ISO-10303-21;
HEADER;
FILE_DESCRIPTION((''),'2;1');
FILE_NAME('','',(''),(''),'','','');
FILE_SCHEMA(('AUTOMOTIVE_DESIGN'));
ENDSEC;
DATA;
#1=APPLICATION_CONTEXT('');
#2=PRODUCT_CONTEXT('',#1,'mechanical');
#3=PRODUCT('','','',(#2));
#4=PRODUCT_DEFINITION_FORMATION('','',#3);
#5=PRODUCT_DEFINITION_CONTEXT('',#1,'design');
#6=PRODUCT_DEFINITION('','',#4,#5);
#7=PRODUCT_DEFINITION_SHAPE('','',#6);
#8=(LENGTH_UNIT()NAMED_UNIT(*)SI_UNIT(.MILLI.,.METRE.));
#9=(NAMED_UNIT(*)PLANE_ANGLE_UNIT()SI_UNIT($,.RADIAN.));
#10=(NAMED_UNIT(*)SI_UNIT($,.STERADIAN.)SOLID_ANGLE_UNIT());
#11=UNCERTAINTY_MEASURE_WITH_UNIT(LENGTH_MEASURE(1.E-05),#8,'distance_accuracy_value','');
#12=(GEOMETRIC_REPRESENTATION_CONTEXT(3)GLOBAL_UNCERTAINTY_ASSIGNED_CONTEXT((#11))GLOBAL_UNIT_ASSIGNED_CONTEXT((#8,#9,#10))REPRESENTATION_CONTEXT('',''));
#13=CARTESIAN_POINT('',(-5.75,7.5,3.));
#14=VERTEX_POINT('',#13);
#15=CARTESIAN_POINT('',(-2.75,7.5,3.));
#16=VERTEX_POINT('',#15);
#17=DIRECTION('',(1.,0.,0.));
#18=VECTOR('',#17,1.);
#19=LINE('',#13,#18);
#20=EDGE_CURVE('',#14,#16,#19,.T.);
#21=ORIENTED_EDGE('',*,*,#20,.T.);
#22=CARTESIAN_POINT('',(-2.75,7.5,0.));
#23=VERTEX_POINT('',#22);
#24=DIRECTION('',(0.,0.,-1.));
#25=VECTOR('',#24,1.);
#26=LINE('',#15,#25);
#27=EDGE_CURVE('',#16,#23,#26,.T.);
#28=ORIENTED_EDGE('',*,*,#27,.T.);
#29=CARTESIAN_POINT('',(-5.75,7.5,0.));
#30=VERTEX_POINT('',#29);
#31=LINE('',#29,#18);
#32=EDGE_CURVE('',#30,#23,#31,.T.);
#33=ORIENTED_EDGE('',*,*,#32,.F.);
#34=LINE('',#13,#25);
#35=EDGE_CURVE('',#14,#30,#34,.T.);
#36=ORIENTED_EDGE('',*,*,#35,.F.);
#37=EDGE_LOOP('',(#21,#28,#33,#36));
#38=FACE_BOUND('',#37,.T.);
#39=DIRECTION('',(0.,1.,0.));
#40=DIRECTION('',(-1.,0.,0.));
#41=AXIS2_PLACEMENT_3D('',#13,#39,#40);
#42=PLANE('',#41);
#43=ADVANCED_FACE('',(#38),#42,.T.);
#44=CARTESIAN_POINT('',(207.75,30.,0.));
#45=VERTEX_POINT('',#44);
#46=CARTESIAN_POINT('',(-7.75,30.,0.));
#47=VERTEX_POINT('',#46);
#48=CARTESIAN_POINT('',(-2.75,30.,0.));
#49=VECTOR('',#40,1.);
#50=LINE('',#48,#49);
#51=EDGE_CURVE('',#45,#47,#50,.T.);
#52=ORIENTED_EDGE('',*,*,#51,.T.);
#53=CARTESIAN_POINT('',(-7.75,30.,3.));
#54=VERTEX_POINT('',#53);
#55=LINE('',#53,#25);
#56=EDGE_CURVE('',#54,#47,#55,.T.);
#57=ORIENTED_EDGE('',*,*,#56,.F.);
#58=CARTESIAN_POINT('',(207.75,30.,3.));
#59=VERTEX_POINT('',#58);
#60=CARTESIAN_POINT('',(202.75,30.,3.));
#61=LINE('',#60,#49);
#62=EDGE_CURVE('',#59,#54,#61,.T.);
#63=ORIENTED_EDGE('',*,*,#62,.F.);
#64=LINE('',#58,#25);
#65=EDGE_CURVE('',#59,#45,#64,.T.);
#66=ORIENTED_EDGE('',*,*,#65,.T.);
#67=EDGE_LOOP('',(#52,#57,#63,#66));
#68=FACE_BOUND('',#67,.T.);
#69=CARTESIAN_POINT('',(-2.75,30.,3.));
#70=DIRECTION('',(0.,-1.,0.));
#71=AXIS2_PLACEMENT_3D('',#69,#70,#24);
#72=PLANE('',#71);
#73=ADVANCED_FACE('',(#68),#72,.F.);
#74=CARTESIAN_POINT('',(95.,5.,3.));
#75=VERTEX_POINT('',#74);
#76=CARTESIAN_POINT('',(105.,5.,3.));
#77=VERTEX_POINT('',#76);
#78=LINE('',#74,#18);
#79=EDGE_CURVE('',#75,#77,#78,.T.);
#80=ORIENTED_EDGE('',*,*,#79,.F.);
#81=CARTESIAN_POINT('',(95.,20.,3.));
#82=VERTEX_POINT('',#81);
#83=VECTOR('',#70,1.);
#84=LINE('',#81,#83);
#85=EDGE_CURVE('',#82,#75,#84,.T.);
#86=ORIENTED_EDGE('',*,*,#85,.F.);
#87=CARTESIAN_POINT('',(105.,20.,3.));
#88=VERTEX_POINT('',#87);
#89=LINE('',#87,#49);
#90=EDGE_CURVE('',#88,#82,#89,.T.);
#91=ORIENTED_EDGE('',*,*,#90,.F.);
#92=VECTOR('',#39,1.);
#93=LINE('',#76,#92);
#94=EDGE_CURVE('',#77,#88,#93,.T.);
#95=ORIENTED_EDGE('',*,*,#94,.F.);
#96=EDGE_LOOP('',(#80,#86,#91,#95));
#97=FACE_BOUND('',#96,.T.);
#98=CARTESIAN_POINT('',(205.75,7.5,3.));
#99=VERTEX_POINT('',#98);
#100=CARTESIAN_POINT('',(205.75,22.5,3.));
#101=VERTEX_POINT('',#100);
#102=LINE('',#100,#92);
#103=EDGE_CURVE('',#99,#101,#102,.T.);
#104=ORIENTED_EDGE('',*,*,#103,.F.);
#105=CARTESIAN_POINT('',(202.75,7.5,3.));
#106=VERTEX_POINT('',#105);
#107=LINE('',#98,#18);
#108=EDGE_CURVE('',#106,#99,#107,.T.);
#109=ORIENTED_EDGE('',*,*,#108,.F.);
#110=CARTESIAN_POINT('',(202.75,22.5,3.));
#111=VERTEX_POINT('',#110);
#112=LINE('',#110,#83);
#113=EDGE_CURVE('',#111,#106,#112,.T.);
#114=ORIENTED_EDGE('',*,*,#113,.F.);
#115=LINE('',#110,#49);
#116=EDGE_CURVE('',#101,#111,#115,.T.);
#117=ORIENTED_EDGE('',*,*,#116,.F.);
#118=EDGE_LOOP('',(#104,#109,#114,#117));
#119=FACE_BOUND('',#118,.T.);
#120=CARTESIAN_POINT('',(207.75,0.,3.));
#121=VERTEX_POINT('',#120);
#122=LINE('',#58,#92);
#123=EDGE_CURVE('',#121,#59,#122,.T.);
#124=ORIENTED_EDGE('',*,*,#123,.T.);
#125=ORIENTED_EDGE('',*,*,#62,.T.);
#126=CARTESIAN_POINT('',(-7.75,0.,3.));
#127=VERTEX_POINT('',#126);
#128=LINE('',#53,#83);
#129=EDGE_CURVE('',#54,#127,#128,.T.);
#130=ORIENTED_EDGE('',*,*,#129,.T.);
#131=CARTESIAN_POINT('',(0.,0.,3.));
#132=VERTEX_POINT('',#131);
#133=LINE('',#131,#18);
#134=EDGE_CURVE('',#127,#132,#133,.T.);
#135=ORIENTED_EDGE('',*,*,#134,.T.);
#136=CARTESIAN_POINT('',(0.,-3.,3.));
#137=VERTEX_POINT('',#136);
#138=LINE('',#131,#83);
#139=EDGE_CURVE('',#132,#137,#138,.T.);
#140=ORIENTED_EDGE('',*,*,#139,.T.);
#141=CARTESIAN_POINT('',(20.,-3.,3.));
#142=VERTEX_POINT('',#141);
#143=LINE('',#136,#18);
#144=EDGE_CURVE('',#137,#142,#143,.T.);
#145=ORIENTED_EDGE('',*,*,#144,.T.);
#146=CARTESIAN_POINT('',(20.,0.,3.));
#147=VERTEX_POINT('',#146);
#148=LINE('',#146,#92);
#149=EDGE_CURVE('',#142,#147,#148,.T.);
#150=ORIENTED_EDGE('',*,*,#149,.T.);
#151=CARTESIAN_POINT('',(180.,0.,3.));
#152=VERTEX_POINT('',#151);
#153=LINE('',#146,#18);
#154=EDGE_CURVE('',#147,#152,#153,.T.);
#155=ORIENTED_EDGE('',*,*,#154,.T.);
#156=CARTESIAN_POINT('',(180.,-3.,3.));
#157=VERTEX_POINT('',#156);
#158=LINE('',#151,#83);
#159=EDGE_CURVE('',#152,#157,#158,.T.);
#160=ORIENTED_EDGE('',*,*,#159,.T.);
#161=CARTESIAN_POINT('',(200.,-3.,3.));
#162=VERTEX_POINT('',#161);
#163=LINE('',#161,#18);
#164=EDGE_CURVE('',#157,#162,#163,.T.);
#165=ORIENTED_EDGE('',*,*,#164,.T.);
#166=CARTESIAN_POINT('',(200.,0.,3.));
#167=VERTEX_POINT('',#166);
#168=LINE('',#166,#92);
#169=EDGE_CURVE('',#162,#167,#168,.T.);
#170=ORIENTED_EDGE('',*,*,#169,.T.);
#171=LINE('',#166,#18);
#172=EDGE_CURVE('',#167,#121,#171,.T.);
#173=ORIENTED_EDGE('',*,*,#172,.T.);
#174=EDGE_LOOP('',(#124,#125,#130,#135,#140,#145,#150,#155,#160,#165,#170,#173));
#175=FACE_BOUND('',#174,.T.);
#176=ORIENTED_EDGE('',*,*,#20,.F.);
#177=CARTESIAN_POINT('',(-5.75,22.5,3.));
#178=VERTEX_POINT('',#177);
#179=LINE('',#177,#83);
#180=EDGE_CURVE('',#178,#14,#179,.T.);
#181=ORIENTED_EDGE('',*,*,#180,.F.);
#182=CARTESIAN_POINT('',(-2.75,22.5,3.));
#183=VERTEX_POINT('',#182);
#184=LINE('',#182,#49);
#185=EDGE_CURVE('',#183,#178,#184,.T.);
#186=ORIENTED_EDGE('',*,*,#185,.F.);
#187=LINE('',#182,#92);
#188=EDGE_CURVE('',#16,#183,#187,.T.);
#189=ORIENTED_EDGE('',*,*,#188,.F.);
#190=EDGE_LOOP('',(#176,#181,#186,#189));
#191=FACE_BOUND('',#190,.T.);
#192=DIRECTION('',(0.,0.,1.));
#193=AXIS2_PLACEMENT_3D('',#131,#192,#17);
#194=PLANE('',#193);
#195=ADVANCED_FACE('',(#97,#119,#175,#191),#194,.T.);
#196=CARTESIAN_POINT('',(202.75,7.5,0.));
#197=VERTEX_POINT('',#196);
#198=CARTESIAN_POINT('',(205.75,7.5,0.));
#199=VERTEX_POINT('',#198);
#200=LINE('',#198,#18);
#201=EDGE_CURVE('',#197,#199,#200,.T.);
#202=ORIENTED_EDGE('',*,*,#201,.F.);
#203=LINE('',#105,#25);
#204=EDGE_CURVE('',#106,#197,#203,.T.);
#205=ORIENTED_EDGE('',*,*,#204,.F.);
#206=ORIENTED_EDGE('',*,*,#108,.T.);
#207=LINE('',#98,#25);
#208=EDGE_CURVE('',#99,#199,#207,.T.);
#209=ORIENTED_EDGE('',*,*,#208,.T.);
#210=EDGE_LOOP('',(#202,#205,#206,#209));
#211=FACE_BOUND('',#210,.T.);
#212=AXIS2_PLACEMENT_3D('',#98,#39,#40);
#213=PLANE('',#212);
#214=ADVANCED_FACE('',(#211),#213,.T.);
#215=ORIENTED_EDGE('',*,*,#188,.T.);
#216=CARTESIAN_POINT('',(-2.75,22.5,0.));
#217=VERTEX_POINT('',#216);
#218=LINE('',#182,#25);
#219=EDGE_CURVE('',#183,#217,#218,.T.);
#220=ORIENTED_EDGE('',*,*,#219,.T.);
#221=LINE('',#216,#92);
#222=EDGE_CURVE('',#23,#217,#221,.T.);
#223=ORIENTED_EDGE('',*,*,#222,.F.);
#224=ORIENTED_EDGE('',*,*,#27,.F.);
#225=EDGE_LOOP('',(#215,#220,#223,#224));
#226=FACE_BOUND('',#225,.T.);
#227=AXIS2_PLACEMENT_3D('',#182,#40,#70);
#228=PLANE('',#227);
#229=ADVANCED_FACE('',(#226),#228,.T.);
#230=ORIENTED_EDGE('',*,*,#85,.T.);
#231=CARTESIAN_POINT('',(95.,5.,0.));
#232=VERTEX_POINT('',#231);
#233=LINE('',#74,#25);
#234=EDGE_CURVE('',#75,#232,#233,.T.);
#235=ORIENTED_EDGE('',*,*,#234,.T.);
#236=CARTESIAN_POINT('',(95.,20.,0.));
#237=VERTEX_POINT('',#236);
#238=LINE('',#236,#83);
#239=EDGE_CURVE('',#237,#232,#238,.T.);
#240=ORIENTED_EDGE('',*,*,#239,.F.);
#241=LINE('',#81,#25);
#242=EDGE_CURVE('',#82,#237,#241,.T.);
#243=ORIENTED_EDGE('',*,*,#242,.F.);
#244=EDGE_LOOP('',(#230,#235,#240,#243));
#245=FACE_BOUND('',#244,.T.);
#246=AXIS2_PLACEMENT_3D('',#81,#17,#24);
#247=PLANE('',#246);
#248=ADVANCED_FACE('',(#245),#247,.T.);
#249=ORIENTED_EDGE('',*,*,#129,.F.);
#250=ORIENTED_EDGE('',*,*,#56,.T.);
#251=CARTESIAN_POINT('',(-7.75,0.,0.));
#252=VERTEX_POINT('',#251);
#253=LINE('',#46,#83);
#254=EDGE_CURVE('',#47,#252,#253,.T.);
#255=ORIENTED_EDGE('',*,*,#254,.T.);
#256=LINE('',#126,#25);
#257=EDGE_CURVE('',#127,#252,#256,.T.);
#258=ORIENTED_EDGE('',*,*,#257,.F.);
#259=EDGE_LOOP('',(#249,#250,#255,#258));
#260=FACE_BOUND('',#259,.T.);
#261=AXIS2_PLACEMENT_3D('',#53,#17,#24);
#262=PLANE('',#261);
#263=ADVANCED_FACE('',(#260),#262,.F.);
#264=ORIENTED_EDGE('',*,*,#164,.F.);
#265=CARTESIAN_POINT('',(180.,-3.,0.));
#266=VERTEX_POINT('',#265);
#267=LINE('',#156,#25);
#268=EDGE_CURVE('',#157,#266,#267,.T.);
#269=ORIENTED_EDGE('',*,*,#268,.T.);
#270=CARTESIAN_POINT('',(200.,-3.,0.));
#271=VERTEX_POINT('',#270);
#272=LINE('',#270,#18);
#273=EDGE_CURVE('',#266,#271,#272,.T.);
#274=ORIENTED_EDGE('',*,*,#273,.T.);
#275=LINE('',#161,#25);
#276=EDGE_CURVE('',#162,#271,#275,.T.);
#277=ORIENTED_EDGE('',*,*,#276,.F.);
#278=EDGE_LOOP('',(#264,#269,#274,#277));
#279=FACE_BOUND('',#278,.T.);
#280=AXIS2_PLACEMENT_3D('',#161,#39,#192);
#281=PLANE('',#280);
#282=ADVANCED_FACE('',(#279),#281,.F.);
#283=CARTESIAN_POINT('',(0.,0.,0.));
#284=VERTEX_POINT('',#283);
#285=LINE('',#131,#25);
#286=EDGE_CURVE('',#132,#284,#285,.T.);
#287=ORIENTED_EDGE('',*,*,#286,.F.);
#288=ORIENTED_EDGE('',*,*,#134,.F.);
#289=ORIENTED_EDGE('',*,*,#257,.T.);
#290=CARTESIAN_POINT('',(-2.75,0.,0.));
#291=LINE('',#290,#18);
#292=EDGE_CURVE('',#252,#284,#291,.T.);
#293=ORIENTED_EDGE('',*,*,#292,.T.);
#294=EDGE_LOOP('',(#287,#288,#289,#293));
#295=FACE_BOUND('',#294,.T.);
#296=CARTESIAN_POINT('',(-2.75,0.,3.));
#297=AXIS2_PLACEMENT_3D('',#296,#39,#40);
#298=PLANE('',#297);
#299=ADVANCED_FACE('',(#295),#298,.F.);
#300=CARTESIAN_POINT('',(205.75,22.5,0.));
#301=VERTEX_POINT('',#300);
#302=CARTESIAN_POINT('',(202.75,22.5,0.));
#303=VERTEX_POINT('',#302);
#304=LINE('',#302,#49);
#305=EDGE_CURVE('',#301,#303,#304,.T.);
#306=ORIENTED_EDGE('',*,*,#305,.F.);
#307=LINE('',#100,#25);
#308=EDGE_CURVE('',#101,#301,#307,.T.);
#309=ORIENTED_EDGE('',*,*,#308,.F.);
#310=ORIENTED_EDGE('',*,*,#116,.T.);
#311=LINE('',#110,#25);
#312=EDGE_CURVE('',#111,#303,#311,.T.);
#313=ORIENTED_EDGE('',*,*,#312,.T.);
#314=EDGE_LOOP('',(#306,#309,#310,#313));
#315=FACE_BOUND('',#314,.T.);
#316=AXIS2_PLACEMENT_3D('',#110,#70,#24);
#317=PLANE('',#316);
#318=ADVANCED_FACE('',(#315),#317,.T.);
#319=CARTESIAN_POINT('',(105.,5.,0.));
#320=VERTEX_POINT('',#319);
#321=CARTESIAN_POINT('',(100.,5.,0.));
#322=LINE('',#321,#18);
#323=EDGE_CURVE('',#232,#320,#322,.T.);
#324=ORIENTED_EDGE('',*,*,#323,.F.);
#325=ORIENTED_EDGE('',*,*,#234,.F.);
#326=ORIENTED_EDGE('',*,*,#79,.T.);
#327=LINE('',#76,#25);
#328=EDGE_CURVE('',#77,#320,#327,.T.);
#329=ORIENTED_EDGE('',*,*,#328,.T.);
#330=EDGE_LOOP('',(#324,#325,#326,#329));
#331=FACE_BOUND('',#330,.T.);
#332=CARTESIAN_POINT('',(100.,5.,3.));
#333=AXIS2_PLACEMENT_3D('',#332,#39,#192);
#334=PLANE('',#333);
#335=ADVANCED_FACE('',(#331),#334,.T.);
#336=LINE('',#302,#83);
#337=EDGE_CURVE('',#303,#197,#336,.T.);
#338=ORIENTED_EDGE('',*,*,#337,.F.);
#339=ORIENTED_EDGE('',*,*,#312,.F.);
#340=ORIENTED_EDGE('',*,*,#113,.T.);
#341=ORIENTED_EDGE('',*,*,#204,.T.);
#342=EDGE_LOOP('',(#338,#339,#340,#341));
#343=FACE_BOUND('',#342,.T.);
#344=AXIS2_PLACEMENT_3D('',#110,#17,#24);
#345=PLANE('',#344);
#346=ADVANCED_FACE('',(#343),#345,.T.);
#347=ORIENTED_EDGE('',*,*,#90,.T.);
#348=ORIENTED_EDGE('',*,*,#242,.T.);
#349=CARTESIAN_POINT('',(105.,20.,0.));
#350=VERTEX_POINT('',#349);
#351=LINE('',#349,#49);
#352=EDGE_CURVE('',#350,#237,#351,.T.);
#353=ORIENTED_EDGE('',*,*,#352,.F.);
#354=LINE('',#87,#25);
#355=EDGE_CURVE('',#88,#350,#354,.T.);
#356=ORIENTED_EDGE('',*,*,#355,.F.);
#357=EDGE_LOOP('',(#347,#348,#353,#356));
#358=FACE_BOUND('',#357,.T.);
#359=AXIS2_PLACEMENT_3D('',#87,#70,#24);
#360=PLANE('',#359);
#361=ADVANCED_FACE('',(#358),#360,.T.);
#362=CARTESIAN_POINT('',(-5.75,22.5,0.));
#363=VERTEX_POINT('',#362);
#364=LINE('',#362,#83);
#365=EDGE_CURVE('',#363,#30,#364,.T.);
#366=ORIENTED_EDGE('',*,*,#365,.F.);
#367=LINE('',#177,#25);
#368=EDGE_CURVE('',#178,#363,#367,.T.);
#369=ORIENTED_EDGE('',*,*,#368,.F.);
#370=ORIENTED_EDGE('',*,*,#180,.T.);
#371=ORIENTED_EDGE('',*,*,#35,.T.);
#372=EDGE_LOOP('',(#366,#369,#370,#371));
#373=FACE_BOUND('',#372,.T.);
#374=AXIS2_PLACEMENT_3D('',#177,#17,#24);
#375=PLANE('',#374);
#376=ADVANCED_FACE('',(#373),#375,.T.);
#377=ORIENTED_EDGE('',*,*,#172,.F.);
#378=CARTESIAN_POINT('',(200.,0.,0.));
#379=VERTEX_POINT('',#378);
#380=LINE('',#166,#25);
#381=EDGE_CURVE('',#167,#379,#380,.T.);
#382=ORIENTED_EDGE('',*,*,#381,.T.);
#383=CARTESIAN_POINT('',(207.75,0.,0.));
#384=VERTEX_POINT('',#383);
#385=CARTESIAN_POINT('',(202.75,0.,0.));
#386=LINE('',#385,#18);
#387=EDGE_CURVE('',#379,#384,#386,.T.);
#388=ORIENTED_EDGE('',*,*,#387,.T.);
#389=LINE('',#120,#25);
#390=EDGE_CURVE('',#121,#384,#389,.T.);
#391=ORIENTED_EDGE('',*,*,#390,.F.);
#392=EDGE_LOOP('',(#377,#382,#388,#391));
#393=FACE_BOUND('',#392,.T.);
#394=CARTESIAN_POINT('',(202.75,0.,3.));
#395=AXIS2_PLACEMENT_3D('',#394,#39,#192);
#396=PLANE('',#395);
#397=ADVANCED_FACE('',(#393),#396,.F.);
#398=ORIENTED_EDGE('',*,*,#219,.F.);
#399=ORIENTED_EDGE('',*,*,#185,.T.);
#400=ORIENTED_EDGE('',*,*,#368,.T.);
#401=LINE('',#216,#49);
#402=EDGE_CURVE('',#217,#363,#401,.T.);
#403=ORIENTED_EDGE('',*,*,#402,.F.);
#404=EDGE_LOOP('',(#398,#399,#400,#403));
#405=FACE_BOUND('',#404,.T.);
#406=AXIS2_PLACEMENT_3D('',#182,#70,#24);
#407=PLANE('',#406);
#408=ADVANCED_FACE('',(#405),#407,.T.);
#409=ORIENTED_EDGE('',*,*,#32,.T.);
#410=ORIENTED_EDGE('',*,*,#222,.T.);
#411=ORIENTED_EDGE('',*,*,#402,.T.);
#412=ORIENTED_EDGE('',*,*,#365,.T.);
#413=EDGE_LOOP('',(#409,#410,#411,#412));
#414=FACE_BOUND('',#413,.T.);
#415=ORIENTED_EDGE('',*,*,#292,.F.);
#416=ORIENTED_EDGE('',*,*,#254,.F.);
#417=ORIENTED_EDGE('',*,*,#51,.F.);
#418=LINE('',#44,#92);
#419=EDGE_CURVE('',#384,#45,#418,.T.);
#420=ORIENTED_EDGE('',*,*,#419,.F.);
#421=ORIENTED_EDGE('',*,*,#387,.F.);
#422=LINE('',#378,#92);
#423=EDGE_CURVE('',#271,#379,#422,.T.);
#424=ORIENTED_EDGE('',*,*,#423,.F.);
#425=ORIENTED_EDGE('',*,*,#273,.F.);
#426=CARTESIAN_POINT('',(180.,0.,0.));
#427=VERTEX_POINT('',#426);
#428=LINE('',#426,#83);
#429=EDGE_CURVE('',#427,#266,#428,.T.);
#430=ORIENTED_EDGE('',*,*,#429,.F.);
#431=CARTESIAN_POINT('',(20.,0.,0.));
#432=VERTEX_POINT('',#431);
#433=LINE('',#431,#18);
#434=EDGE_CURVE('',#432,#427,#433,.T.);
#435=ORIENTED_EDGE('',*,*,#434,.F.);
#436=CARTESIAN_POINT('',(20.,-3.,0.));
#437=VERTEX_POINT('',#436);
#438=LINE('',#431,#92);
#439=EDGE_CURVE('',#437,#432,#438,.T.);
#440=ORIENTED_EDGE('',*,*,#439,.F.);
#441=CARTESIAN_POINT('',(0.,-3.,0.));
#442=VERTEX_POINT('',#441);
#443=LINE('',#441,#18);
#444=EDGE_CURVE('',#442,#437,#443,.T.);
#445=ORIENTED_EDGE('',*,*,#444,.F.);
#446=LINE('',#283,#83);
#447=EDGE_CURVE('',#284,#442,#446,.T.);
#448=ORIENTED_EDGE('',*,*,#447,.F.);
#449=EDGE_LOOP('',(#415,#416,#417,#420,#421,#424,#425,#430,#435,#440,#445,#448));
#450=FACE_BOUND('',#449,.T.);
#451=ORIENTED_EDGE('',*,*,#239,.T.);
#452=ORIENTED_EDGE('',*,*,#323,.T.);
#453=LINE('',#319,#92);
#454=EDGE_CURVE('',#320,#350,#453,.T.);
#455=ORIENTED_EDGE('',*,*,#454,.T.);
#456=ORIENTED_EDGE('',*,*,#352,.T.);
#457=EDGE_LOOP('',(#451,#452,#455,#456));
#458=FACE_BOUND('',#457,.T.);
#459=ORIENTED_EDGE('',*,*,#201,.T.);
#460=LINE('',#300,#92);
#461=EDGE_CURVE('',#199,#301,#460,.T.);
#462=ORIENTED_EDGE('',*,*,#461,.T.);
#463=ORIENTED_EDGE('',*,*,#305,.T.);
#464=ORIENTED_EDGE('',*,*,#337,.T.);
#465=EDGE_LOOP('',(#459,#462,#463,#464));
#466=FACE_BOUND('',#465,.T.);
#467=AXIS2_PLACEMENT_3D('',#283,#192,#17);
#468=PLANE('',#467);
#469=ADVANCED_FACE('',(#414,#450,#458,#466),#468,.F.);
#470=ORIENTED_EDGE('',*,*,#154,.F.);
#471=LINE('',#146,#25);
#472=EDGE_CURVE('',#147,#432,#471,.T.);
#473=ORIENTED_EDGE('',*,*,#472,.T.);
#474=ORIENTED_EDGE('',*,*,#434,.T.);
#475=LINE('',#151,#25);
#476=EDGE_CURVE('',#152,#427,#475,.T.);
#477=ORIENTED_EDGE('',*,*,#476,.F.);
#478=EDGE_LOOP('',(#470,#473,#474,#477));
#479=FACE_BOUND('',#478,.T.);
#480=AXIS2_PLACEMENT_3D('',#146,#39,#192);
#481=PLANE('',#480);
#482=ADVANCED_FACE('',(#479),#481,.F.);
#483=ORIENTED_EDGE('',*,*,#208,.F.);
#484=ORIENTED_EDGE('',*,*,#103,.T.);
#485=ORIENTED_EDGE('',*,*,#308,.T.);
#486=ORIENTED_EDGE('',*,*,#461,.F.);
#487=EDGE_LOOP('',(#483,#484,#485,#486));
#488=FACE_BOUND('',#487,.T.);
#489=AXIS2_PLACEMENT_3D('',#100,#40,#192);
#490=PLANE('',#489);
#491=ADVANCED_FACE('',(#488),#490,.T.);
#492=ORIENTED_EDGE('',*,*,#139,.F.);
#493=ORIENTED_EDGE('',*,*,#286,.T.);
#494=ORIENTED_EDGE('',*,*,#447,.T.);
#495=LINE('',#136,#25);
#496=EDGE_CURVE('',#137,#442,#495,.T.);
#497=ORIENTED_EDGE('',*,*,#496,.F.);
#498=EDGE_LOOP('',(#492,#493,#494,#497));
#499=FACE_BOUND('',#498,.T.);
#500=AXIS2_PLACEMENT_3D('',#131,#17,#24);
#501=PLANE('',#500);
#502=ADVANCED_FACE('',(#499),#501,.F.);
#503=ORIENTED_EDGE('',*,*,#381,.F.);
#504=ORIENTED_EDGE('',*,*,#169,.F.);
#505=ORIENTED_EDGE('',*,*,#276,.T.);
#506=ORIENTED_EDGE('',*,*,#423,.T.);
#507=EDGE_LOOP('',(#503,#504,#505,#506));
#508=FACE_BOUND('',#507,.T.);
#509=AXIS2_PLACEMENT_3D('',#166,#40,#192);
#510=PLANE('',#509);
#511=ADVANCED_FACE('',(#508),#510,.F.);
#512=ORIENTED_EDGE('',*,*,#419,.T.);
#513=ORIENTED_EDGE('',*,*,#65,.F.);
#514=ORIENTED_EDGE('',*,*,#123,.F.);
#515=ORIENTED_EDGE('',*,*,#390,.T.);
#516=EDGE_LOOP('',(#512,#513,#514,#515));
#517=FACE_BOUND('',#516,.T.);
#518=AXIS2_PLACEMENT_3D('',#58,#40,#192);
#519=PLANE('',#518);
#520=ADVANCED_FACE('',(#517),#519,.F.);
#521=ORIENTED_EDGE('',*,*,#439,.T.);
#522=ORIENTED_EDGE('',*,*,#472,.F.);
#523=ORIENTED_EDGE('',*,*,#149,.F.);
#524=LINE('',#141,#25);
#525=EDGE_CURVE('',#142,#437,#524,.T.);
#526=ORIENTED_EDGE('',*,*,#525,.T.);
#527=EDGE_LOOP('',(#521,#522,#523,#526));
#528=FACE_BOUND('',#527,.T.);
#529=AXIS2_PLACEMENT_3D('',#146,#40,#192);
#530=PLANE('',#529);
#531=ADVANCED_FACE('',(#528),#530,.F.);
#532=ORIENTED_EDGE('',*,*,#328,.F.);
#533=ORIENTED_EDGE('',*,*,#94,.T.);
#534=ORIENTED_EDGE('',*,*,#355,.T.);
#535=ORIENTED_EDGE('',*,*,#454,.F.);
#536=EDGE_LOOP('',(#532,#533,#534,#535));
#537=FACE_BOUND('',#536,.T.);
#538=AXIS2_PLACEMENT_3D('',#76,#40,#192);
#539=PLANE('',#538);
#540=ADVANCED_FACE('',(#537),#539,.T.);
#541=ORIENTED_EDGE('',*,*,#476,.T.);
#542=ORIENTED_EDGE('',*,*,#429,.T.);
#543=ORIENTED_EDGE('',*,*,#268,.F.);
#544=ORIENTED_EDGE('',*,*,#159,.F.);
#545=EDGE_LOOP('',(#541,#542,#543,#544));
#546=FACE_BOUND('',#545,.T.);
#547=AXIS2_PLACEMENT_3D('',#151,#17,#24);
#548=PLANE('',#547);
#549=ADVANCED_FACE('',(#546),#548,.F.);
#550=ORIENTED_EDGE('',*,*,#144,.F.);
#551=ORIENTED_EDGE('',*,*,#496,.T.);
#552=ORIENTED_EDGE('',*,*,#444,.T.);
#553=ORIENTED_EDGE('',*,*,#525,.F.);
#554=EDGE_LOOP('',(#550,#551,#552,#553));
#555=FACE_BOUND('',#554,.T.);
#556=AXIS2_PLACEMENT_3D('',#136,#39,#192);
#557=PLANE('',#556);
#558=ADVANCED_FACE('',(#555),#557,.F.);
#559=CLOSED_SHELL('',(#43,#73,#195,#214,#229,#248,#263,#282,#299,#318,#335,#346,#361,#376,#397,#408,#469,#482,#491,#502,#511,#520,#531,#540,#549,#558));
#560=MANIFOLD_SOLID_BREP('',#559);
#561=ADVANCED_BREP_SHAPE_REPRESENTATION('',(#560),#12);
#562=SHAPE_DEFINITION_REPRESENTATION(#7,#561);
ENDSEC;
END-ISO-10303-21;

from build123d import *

# Parameters (mm, degrees)
SKETCH_1_W      = 3
SKETCH_1_H      = 15
EXTRUDE_1_DEPTH = 3


with BuildPart() as part:
    # 草图1 → 凸台-拉伸1 (new body)
    with BuildSketch(Plane.XY):
        Polygon((20, 0), (180, 0), (180, -3), (200, -3), (200, 0), (202.75, 0), (207.75, 0), (207.75, 30), (202.75, 30), (200, 30), (0, 30), (-2.75, 30), (-7.75, 30), (-7.75, 0), (-2.75, 0), (0, 0), (0, -3), (20, -3), align=None)
        with Locations((204.25, 15)):
            Rectangle(SKETCH_1_W, SKETCH_1_H, mode=Mode.SUBTRACT)
        with Locations((-4.25, 15)):
            Rectangle(SKETCH_1_W, SKETCH_1_H, mode=Mode.SUBTRACT)
        Polygon((100, 5), (105, 5), (105, 20), (95, 20), (95, 5), align=None, mode=Mode.SUBTRACT)
    extrude(amount=EXTRUDE_1_DEPTH)


solid = part.part
